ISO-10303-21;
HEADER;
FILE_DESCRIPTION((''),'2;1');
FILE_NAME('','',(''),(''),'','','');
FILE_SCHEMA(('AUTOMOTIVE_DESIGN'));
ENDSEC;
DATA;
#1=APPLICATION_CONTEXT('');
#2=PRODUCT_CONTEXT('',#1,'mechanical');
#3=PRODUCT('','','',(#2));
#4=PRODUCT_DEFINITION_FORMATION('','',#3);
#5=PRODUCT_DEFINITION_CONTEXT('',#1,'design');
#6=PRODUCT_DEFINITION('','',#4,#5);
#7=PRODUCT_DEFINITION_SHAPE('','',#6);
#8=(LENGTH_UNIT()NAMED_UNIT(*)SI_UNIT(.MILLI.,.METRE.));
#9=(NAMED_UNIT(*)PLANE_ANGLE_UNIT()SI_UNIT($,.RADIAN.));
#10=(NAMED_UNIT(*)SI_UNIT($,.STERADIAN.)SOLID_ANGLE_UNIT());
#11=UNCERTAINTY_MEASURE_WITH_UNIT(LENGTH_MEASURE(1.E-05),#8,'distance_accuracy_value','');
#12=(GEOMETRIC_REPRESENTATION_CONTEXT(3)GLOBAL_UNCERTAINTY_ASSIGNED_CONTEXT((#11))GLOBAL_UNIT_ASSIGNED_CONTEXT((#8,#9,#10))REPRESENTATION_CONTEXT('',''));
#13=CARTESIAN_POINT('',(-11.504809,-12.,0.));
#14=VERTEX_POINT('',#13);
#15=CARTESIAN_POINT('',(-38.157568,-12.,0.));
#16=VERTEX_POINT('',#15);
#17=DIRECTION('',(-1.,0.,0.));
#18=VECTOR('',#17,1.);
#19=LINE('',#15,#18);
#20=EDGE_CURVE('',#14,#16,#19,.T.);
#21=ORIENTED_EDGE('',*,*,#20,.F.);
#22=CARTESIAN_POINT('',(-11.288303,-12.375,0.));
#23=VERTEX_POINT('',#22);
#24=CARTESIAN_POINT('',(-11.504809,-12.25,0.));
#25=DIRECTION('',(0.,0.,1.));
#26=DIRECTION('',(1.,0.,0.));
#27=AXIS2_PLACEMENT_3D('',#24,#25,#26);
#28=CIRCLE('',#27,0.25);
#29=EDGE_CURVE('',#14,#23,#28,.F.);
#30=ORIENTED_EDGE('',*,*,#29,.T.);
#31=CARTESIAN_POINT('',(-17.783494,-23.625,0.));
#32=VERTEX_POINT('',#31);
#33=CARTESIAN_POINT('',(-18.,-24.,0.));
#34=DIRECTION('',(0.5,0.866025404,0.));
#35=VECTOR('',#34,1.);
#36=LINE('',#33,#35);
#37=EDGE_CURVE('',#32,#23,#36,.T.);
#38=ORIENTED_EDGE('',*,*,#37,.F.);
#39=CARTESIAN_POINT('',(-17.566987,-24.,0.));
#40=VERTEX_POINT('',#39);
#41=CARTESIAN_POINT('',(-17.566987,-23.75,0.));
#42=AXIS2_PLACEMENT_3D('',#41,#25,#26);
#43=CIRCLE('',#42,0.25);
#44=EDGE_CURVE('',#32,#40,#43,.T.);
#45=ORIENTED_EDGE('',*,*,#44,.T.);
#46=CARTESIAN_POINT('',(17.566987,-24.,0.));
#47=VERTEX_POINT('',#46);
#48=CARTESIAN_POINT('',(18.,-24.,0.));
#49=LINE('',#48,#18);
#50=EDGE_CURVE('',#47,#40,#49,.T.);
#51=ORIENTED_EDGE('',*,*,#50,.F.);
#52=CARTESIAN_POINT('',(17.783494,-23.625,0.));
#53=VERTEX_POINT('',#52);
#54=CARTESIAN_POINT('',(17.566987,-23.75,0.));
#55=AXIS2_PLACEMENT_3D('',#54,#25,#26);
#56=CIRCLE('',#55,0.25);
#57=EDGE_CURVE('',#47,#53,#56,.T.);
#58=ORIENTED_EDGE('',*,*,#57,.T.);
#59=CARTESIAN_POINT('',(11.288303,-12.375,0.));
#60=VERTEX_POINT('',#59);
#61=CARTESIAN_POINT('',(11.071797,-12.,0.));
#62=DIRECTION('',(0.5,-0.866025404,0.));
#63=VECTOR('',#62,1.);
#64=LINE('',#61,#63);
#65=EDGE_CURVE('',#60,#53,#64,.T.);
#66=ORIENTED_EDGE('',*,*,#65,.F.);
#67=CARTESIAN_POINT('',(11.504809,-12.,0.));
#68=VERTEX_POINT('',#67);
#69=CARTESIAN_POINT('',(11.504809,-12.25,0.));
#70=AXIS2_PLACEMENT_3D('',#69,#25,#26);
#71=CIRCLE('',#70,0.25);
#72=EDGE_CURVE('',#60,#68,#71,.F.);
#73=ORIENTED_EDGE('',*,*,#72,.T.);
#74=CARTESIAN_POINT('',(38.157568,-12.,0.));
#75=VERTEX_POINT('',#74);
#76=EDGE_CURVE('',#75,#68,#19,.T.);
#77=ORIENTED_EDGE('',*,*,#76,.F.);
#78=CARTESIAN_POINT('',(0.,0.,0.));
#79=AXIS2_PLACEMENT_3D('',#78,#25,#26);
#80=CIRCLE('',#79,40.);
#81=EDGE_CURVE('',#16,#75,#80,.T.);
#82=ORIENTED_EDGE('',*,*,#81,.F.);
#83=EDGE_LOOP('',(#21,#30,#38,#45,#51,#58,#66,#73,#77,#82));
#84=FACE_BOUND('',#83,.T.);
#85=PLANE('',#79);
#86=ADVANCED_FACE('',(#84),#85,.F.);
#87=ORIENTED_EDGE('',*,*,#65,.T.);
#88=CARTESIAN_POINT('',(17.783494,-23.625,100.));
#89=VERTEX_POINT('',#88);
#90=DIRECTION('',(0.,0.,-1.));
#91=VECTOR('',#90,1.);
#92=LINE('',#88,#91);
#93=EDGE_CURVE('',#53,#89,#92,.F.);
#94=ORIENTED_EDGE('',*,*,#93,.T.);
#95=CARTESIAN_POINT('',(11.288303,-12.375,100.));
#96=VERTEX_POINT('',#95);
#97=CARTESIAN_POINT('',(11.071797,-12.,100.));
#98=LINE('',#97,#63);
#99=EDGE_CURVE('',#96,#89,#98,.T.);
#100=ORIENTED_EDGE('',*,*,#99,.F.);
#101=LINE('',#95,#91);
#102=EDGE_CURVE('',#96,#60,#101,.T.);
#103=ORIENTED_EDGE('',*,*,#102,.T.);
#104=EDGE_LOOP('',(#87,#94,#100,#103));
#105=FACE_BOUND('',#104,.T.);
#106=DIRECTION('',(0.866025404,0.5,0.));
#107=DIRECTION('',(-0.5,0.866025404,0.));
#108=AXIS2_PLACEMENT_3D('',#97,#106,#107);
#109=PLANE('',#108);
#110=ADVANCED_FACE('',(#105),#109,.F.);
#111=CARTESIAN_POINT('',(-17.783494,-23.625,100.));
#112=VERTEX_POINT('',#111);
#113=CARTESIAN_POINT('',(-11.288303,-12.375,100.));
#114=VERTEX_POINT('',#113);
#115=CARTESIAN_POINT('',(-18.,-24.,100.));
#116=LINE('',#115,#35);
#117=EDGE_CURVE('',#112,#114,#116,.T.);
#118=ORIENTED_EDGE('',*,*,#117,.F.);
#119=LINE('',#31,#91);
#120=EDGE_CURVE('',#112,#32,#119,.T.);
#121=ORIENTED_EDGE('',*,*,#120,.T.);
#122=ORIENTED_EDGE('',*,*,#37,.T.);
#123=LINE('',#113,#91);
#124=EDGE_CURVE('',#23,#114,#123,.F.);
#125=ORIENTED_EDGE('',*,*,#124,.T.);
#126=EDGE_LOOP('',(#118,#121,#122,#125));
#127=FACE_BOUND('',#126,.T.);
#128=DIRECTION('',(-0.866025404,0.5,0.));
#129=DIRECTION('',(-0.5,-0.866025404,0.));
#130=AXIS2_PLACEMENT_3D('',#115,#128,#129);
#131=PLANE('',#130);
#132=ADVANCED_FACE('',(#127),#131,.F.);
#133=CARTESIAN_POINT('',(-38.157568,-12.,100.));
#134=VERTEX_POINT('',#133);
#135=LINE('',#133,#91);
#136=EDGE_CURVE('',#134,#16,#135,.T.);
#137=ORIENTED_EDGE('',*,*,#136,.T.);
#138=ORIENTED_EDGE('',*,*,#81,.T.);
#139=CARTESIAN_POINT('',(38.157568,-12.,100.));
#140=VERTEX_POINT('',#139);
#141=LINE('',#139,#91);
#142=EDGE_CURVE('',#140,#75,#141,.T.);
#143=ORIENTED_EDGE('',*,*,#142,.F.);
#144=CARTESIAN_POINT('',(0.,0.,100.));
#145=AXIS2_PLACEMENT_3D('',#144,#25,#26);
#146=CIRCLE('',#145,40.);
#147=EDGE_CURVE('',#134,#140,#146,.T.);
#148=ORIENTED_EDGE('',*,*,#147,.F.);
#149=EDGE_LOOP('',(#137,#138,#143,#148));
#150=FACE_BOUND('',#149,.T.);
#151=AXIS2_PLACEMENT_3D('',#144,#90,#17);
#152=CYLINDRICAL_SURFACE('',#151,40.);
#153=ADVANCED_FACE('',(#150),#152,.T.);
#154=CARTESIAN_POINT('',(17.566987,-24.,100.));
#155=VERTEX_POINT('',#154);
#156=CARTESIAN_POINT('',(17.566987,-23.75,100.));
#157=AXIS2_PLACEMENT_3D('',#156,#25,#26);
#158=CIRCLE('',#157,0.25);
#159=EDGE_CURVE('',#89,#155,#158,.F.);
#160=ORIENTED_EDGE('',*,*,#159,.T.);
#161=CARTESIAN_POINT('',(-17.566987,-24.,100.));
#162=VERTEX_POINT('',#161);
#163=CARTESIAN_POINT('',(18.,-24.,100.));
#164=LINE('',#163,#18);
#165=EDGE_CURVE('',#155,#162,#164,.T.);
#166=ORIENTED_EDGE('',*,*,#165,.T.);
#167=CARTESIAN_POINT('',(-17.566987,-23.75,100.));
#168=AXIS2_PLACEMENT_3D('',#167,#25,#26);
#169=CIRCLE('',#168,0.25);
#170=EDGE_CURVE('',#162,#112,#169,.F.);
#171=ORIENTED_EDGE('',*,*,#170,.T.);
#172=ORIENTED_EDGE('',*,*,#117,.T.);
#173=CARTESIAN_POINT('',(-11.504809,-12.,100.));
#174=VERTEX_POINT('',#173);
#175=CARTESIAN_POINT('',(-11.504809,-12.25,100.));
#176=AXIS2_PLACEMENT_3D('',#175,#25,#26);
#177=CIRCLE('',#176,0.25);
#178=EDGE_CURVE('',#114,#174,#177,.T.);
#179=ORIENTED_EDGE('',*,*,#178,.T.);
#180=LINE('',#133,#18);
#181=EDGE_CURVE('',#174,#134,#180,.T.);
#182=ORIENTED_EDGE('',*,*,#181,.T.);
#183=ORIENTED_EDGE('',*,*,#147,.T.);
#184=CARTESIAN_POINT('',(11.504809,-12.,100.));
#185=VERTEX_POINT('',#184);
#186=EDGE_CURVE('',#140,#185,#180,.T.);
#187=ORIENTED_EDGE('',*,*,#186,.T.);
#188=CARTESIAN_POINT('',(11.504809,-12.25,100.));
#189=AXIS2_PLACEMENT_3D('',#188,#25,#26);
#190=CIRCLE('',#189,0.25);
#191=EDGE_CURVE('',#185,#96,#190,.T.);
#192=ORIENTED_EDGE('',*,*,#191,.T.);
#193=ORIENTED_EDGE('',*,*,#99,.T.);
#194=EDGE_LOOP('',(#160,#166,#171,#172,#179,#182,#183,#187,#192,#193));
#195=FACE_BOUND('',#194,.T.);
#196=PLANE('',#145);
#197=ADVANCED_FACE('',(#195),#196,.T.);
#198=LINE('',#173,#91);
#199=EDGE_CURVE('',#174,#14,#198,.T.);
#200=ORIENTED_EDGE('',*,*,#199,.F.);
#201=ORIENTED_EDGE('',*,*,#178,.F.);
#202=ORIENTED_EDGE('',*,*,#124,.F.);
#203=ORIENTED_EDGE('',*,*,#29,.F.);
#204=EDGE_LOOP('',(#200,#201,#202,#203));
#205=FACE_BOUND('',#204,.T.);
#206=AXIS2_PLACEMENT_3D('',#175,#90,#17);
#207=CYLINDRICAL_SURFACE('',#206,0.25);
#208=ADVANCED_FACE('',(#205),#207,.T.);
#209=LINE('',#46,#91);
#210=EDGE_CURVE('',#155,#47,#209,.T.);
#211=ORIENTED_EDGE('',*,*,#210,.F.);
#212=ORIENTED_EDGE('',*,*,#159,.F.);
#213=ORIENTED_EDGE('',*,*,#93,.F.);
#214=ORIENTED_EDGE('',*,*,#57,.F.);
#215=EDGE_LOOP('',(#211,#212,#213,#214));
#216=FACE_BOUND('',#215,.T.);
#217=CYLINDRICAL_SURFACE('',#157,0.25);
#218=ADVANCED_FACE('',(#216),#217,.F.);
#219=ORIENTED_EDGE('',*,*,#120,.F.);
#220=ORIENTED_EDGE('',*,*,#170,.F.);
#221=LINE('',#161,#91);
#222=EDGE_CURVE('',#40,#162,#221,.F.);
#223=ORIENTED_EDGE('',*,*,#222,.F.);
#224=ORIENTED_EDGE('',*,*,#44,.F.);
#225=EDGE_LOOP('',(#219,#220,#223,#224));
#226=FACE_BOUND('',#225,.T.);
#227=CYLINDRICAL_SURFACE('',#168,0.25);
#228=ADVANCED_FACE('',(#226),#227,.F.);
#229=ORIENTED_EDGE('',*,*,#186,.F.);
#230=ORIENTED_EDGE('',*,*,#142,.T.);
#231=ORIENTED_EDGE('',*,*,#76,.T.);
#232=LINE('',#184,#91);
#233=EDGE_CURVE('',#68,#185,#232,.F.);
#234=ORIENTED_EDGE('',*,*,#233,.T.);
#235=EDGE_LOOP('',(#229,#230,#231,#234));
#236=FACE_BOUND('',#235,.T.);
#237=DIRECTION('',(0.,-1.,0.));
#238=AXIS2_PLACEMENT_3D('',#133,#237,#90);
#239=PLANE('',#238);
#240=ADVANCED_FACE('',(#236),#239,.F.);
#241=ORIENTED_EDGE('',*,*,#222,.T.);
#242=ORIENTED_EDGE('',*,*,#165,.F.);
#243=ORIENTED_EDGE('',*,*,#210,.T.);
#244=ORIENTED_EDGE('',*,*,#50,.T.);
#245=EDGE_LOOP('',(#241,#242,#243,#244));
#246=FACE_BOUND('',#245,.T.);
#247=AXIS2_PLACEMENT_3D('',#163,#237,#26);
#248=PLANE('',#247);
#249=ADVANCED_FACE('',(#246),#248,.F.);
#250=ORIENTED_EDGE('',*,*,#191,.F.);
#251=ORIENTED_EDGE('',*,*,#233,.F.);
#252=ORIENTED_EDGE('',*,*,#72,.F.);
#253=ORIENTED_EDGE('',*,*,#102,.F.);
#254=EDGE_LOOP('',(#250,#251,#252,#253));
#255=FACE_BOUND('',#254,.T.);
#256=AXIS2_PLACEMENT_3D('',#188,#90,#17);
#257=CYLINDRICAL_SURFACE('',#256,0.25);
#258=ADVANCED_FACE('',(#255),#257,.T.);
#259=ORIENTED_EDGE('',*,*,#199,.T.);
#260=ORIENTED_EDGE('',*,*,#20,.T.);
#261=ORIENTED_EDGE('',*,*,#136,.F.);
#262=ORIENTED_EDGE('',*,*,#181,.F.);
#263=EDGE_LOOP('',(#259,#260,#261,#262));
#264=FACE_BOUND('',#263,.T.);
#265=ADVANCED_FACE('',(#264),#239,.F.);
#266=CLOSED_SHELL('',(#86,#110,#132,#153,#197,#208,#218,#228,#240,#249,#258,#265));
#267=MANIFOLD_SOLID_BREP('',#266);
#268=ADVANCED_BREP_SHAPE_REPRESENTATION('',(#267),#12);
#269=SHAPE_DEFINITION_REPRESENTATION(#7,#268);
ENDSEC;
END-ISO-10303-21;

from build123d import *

# Parameters (mm, degrees)
BOSS_EXTRUDE1_DEPTH = 100
CUT_EXTRUDE1_DEPTH  = 101
FILLET1_R           = 0.25


with BuildPart() as part:
    # Sketch2 → Boss-Extrude1 (new body)
    with BuildSketch(Plane.XY):
        with BuildLine():
            Line((-38.157568057, -12), (38.157568057, -12))
            ThreePointArc((38.157568057, -12), (0, -40), (-38.157568057, -12))
        make_face()
    extrude(amount=BOSS_EXTRUDE1_DEPTH)

    # Sketch3 → Cut-Extrude1 (cut, through all)
    with BuildSketch(Plane(origin=(0, 0, 0), x_dir=(-1, 0, 0), z_dir=(0, 0, -1))):
        Polygon((-11.07179677, -12), (-18, -24), (18, -24), (11.07179677, -12), align=None)
    extrude(amount=-CUT_EXTRUDE1_DEPTH, mode=Mode.SUBTRACT)

    # Fillet1
    fillet1_edges = [part.edges().sort_by_distance(p)[0] for p in [
        (11.07179677, -12, 50),
        (-11.07179677, -12, 50),
        (-18, -24, 50),
        (18, -24, 50),
    ]]
    fillet(fillet1_edges, radius=FILLET1_R)


solid = part.part
